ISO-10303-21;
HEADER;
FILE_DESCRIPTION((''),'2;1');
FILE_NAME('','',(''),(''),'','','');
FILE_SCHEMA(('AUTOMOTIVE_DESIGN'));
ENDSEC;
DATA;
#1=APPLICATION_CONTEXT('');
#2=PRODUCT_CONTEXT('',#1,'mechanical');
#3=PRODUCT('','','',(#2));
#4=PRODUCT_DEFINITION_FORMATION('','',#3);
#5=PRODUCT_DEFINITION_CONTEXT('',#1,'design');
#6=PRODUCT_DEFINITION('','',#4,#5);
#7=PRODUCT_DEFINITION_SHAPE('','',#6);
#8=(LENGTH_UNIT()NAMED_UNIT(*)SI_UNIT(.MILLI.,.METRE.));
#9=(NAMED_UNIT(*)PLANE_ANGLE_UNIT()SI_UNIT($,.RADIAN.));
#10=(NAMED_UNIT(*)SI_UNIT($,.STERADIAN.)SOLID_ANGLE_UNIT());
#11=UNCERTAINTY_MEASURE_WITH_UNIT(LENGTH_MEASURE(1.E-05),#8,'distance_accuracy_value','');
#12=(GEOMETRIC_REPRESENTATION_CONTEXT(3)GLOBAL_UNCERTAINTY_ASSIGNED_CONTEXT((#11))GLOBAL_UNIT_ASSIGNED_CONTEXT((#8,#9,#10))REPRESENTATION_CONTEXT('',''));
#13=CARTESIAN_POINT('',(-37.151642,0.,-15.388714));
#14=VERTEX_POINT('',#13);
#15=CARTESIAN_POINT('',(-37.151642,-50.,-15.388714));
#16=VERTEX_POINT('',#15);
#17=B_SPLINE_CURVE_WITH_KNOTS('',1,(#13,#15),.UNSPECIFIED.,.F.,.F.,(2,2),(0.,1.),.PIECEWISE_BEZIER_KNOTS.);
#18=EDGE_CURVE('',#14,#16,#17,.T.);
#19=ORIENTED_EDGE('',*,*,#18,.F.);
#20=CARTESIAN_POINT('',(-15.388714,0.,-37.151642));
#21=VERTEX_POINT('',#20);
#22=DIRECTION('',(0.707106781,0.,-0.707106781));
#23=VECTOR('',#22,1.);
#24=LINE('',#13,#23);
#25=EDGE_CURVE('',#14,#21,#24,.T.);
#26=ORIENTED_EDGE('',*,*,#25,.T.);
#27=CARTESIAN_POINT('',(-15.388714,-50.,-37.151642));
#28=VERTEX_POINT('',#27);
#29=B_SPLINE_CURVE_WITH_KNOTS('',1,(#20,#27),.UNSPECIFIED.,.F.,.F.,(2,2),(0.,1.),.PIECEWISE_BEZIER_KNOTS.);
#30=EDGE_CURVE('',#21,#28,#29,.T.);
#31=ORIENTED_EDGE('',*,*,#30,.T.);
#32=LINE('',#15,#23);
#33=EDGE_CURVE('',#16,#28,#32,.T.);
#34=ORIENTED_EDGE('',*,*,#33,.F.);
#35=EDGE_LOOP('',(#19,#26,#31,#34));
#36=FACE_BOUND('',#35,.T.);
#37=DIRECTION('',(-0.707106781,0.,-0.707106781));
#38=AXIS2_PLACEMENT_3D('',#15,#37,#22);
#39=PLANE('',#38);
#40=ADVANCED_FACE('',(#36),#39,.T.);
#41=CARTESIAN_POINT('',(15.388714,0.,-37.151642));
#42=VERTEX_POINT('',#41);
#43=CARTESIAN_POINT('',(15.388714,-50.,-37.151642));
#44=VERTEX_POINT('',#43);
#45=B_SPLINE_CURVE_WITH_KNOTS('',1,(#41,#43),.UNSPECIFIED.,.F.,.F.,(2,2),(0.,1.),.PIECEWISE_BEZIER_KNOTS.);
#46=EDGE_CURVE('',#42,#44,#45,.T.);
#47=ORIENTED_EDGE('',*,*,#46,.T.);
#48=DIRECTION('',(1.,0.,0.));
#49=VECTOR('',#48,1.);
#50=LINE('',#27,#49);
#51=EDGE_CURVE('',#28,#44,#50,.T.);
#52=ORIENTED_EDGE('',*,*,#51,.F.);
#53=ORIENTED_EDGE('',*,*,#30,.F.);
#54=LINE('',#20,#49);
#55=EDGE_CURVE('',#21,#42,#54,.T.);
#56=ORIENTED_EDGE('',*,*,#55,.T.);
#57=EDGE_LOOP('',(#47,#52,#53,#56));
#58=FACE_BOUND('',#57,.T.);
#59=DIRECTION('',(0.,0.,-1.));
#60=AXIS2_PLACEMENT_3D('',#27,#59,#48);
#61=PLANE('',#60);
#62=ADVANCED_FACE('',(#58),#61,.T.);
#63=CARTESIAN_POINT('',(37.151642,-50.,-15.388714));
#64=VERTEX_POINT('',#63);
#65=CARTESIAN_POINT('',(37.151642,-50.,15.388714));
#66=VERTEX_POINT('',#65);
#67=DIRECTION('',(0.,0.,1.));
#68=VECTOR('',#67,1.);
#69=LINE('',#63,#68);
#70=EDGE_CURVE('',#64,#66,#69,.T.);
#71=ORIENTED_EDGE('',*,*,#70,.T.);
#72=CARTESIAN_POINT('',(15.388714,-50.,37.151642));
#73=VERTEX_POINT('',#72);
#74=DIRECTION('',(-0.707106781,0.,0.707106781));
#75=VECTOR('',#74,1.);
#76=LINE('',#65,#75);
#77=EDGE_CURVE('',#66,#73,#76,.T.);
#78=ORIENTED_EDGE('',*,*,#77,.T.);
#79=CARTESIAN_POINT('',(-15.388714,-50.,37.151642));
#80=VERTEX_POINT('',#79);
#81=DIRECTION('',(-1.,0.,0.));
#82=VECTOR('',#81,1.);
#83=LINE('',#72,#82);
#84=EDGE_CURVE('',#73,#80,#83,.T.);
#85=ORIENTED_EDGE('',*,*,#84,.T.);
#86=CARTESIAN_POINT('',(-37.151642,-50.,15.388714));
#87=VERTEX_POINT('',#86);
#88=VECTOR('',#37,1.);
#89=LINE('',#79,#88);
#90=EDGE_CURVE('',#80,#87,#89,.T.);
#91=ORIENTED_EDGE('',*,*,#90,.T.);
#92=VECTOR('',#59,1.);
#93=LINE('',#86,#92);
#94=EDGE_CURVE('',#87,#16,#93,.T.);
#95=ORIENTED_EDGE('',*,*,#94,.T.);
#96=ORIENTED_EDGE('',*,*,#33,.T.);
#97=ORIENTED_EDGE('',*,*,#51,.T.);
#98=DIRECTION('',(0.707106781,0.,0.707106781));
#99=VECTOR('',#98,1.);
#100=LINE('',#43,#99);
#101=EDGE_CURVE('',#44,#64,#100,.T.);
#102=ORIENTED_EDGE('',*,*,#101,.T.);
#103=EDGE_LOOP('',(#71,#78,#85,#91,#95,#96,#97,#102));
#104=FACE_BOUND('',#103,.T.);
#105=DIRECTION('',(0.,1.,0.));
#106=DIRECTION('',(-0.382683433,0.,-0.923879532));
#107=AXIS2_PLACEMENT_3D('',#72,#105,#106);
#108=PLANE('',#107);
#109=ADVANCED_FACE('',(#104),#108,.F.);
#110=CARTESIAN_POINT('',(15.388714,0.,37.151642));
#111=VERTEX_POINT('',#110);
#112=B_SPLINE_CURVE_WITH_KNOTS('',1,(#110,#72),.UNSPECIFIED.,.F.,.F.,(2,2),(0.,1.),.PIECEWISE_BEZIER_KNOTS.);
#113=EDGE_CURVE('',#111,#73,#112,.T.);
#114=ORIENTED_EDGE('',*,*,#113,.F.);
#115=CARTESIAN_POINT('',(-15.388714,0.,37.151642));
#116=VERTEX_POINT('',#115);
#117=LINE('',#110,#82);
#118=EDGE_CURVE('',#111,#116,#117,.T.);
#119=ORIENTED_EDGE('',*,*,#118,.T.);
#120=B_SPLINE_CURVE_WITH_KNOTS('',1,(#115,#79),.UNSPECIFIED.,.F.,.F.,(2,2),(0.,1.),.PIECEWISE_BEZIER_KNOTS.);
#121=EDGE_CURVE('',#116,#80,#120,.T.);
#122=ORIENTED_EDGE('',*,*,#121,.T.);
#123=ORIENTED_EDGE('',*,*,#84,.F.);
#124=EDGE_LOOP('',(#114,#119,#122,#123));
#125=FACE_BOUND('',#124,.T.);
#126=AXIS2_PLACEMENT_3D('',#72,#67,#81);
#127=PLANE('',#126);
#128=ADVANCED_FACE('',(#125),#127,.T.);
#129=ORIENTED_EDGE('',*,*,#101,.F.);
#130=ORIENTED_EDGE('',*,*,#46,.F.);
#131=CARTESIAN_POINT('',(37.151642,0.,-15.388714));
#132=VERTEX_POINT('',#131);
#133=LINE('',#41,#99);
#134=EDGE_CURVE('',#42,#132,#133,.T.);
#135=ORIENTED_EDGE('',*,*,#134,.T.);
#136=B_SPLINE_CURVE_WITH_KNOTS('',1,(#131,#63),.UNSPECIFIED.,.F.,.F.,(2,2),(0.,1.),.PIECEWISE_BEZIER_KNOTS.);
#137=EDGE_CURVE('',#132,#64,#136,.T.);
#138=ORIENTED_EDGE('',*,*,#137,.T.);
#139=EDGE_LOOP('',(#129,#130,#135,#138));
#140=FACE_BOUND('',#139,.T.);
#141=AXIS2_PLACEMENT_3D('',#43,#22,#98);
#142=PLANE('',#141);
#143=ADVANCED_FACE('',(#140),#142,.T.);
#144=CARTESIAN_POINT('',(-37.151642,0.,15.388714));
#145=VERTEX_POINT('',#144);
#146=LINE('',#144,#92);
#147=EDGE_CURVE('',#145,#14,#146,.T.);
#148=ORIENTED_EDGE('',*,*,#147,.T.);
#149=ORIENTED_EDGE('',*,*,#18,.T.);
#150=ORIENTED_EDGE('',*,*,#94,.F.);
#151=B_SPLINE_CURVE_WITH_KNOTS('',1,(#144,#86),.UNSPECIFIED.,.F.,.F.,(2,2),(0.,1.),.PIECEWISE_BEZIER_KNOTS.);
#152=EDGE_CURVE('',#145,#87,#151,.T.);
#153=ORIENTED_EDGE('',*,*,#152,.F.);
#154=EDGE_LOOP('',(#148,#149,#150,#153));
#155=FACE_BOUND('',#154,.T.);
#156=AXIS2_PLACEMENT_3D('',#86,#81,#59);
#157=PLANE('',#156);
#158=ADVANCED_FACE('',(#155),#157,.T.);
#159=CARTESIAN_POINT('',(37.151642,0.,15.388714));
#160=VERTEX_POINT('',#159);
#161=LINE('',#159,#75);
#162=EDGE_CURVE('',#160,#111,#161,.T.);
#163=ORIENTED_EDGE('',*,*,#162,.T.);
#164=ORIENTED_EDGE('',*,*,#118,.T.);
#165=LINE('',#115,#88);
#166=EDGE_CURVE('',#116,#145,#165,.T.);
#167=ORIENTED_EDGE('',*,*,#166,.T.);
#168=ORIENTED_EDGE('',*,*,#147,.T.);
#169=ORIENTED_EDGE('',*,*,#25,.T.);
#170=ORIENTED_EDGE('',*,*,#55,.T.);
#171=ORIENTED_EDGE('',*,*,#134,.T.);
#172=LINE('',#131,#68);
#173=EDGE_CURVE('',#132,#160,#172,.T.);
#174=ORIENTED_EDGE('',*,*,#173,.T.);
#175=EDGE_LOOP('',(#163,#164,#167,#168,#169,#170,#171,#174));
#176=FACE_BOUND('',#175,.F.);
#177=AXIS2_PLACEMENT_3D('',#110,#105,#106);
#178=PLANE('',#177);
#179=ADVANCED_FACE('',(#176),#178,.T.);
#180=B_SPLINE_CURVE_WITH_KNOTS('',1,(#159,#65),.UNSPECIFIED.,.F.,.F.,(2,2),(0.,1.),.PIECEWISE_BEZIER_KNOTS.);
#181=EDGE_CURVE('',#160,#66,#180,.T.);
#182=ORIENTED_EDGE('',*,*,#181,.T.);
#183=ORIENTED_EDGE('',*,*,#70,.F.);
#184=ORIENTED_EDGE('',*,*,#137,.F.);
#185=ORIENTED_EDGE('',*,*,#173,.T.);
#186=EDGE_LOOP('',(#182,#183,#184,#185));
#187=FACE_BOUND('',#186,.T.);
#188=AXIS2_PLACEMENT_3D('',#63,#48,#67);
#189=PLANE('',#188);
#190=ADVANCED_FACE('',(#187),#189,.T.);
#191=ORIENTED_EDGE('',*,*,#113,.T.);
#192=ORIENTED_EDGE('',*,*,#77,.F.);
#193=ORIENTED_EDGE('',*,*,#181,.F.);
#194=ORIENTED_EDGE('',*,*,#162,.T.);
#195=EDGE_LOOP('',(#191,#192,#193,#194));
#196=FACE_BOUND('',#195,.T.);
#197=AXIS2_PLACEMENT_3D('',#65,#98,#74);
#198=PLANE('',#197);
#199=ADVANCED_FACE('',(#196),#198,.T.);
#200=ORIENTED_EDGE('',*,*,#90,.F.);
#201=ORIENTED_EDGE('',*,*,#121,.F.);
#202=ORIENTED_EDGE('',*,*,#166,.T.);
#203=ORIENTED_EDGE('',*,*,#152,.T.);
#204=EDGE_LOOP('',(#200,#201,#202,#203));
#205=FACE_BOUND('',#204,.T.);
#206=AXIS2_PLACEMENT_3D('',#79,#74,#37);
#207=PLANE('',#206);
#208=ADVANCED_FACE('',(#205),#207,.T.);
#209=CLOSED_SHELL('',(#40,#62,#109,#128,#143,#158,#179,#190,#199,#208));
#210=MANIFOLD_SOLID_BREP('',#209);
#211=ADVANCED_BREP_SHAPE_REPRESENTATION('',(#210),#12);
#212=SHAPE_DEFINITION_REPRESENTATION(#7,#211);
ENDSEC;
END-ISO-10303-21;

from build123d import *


with BuildPart() as f3:
    # F0 (on Front) → F3 section 0
    with BuildSketch(Plane.XZ):
        Polygon((15.388714, 37.151642), (-15.388714, 37.151642), (-37.151642, 15.388714), (-37.151642, -15.388714), (-15.388714, -37.151642), (15.388714, -37.151642), (37.151642, -15.388714), (37.151642, 15.388714), align=None)
    # F2 (on offset) → F3 section 1
    with BuildSketch(Plane.XZ.offset(50)):
        Polygon((15.388714, 37.151642), (-15.388714, 37.151642), (-37.151642, 15.388714), (-37.151642, -15.388714), (-15.388714, -37.151642), (15.388714, -37.151642), (37.151642, -15.388714), (37.151642, 15.388714), align=None)
    loft()


solid = f3.part
